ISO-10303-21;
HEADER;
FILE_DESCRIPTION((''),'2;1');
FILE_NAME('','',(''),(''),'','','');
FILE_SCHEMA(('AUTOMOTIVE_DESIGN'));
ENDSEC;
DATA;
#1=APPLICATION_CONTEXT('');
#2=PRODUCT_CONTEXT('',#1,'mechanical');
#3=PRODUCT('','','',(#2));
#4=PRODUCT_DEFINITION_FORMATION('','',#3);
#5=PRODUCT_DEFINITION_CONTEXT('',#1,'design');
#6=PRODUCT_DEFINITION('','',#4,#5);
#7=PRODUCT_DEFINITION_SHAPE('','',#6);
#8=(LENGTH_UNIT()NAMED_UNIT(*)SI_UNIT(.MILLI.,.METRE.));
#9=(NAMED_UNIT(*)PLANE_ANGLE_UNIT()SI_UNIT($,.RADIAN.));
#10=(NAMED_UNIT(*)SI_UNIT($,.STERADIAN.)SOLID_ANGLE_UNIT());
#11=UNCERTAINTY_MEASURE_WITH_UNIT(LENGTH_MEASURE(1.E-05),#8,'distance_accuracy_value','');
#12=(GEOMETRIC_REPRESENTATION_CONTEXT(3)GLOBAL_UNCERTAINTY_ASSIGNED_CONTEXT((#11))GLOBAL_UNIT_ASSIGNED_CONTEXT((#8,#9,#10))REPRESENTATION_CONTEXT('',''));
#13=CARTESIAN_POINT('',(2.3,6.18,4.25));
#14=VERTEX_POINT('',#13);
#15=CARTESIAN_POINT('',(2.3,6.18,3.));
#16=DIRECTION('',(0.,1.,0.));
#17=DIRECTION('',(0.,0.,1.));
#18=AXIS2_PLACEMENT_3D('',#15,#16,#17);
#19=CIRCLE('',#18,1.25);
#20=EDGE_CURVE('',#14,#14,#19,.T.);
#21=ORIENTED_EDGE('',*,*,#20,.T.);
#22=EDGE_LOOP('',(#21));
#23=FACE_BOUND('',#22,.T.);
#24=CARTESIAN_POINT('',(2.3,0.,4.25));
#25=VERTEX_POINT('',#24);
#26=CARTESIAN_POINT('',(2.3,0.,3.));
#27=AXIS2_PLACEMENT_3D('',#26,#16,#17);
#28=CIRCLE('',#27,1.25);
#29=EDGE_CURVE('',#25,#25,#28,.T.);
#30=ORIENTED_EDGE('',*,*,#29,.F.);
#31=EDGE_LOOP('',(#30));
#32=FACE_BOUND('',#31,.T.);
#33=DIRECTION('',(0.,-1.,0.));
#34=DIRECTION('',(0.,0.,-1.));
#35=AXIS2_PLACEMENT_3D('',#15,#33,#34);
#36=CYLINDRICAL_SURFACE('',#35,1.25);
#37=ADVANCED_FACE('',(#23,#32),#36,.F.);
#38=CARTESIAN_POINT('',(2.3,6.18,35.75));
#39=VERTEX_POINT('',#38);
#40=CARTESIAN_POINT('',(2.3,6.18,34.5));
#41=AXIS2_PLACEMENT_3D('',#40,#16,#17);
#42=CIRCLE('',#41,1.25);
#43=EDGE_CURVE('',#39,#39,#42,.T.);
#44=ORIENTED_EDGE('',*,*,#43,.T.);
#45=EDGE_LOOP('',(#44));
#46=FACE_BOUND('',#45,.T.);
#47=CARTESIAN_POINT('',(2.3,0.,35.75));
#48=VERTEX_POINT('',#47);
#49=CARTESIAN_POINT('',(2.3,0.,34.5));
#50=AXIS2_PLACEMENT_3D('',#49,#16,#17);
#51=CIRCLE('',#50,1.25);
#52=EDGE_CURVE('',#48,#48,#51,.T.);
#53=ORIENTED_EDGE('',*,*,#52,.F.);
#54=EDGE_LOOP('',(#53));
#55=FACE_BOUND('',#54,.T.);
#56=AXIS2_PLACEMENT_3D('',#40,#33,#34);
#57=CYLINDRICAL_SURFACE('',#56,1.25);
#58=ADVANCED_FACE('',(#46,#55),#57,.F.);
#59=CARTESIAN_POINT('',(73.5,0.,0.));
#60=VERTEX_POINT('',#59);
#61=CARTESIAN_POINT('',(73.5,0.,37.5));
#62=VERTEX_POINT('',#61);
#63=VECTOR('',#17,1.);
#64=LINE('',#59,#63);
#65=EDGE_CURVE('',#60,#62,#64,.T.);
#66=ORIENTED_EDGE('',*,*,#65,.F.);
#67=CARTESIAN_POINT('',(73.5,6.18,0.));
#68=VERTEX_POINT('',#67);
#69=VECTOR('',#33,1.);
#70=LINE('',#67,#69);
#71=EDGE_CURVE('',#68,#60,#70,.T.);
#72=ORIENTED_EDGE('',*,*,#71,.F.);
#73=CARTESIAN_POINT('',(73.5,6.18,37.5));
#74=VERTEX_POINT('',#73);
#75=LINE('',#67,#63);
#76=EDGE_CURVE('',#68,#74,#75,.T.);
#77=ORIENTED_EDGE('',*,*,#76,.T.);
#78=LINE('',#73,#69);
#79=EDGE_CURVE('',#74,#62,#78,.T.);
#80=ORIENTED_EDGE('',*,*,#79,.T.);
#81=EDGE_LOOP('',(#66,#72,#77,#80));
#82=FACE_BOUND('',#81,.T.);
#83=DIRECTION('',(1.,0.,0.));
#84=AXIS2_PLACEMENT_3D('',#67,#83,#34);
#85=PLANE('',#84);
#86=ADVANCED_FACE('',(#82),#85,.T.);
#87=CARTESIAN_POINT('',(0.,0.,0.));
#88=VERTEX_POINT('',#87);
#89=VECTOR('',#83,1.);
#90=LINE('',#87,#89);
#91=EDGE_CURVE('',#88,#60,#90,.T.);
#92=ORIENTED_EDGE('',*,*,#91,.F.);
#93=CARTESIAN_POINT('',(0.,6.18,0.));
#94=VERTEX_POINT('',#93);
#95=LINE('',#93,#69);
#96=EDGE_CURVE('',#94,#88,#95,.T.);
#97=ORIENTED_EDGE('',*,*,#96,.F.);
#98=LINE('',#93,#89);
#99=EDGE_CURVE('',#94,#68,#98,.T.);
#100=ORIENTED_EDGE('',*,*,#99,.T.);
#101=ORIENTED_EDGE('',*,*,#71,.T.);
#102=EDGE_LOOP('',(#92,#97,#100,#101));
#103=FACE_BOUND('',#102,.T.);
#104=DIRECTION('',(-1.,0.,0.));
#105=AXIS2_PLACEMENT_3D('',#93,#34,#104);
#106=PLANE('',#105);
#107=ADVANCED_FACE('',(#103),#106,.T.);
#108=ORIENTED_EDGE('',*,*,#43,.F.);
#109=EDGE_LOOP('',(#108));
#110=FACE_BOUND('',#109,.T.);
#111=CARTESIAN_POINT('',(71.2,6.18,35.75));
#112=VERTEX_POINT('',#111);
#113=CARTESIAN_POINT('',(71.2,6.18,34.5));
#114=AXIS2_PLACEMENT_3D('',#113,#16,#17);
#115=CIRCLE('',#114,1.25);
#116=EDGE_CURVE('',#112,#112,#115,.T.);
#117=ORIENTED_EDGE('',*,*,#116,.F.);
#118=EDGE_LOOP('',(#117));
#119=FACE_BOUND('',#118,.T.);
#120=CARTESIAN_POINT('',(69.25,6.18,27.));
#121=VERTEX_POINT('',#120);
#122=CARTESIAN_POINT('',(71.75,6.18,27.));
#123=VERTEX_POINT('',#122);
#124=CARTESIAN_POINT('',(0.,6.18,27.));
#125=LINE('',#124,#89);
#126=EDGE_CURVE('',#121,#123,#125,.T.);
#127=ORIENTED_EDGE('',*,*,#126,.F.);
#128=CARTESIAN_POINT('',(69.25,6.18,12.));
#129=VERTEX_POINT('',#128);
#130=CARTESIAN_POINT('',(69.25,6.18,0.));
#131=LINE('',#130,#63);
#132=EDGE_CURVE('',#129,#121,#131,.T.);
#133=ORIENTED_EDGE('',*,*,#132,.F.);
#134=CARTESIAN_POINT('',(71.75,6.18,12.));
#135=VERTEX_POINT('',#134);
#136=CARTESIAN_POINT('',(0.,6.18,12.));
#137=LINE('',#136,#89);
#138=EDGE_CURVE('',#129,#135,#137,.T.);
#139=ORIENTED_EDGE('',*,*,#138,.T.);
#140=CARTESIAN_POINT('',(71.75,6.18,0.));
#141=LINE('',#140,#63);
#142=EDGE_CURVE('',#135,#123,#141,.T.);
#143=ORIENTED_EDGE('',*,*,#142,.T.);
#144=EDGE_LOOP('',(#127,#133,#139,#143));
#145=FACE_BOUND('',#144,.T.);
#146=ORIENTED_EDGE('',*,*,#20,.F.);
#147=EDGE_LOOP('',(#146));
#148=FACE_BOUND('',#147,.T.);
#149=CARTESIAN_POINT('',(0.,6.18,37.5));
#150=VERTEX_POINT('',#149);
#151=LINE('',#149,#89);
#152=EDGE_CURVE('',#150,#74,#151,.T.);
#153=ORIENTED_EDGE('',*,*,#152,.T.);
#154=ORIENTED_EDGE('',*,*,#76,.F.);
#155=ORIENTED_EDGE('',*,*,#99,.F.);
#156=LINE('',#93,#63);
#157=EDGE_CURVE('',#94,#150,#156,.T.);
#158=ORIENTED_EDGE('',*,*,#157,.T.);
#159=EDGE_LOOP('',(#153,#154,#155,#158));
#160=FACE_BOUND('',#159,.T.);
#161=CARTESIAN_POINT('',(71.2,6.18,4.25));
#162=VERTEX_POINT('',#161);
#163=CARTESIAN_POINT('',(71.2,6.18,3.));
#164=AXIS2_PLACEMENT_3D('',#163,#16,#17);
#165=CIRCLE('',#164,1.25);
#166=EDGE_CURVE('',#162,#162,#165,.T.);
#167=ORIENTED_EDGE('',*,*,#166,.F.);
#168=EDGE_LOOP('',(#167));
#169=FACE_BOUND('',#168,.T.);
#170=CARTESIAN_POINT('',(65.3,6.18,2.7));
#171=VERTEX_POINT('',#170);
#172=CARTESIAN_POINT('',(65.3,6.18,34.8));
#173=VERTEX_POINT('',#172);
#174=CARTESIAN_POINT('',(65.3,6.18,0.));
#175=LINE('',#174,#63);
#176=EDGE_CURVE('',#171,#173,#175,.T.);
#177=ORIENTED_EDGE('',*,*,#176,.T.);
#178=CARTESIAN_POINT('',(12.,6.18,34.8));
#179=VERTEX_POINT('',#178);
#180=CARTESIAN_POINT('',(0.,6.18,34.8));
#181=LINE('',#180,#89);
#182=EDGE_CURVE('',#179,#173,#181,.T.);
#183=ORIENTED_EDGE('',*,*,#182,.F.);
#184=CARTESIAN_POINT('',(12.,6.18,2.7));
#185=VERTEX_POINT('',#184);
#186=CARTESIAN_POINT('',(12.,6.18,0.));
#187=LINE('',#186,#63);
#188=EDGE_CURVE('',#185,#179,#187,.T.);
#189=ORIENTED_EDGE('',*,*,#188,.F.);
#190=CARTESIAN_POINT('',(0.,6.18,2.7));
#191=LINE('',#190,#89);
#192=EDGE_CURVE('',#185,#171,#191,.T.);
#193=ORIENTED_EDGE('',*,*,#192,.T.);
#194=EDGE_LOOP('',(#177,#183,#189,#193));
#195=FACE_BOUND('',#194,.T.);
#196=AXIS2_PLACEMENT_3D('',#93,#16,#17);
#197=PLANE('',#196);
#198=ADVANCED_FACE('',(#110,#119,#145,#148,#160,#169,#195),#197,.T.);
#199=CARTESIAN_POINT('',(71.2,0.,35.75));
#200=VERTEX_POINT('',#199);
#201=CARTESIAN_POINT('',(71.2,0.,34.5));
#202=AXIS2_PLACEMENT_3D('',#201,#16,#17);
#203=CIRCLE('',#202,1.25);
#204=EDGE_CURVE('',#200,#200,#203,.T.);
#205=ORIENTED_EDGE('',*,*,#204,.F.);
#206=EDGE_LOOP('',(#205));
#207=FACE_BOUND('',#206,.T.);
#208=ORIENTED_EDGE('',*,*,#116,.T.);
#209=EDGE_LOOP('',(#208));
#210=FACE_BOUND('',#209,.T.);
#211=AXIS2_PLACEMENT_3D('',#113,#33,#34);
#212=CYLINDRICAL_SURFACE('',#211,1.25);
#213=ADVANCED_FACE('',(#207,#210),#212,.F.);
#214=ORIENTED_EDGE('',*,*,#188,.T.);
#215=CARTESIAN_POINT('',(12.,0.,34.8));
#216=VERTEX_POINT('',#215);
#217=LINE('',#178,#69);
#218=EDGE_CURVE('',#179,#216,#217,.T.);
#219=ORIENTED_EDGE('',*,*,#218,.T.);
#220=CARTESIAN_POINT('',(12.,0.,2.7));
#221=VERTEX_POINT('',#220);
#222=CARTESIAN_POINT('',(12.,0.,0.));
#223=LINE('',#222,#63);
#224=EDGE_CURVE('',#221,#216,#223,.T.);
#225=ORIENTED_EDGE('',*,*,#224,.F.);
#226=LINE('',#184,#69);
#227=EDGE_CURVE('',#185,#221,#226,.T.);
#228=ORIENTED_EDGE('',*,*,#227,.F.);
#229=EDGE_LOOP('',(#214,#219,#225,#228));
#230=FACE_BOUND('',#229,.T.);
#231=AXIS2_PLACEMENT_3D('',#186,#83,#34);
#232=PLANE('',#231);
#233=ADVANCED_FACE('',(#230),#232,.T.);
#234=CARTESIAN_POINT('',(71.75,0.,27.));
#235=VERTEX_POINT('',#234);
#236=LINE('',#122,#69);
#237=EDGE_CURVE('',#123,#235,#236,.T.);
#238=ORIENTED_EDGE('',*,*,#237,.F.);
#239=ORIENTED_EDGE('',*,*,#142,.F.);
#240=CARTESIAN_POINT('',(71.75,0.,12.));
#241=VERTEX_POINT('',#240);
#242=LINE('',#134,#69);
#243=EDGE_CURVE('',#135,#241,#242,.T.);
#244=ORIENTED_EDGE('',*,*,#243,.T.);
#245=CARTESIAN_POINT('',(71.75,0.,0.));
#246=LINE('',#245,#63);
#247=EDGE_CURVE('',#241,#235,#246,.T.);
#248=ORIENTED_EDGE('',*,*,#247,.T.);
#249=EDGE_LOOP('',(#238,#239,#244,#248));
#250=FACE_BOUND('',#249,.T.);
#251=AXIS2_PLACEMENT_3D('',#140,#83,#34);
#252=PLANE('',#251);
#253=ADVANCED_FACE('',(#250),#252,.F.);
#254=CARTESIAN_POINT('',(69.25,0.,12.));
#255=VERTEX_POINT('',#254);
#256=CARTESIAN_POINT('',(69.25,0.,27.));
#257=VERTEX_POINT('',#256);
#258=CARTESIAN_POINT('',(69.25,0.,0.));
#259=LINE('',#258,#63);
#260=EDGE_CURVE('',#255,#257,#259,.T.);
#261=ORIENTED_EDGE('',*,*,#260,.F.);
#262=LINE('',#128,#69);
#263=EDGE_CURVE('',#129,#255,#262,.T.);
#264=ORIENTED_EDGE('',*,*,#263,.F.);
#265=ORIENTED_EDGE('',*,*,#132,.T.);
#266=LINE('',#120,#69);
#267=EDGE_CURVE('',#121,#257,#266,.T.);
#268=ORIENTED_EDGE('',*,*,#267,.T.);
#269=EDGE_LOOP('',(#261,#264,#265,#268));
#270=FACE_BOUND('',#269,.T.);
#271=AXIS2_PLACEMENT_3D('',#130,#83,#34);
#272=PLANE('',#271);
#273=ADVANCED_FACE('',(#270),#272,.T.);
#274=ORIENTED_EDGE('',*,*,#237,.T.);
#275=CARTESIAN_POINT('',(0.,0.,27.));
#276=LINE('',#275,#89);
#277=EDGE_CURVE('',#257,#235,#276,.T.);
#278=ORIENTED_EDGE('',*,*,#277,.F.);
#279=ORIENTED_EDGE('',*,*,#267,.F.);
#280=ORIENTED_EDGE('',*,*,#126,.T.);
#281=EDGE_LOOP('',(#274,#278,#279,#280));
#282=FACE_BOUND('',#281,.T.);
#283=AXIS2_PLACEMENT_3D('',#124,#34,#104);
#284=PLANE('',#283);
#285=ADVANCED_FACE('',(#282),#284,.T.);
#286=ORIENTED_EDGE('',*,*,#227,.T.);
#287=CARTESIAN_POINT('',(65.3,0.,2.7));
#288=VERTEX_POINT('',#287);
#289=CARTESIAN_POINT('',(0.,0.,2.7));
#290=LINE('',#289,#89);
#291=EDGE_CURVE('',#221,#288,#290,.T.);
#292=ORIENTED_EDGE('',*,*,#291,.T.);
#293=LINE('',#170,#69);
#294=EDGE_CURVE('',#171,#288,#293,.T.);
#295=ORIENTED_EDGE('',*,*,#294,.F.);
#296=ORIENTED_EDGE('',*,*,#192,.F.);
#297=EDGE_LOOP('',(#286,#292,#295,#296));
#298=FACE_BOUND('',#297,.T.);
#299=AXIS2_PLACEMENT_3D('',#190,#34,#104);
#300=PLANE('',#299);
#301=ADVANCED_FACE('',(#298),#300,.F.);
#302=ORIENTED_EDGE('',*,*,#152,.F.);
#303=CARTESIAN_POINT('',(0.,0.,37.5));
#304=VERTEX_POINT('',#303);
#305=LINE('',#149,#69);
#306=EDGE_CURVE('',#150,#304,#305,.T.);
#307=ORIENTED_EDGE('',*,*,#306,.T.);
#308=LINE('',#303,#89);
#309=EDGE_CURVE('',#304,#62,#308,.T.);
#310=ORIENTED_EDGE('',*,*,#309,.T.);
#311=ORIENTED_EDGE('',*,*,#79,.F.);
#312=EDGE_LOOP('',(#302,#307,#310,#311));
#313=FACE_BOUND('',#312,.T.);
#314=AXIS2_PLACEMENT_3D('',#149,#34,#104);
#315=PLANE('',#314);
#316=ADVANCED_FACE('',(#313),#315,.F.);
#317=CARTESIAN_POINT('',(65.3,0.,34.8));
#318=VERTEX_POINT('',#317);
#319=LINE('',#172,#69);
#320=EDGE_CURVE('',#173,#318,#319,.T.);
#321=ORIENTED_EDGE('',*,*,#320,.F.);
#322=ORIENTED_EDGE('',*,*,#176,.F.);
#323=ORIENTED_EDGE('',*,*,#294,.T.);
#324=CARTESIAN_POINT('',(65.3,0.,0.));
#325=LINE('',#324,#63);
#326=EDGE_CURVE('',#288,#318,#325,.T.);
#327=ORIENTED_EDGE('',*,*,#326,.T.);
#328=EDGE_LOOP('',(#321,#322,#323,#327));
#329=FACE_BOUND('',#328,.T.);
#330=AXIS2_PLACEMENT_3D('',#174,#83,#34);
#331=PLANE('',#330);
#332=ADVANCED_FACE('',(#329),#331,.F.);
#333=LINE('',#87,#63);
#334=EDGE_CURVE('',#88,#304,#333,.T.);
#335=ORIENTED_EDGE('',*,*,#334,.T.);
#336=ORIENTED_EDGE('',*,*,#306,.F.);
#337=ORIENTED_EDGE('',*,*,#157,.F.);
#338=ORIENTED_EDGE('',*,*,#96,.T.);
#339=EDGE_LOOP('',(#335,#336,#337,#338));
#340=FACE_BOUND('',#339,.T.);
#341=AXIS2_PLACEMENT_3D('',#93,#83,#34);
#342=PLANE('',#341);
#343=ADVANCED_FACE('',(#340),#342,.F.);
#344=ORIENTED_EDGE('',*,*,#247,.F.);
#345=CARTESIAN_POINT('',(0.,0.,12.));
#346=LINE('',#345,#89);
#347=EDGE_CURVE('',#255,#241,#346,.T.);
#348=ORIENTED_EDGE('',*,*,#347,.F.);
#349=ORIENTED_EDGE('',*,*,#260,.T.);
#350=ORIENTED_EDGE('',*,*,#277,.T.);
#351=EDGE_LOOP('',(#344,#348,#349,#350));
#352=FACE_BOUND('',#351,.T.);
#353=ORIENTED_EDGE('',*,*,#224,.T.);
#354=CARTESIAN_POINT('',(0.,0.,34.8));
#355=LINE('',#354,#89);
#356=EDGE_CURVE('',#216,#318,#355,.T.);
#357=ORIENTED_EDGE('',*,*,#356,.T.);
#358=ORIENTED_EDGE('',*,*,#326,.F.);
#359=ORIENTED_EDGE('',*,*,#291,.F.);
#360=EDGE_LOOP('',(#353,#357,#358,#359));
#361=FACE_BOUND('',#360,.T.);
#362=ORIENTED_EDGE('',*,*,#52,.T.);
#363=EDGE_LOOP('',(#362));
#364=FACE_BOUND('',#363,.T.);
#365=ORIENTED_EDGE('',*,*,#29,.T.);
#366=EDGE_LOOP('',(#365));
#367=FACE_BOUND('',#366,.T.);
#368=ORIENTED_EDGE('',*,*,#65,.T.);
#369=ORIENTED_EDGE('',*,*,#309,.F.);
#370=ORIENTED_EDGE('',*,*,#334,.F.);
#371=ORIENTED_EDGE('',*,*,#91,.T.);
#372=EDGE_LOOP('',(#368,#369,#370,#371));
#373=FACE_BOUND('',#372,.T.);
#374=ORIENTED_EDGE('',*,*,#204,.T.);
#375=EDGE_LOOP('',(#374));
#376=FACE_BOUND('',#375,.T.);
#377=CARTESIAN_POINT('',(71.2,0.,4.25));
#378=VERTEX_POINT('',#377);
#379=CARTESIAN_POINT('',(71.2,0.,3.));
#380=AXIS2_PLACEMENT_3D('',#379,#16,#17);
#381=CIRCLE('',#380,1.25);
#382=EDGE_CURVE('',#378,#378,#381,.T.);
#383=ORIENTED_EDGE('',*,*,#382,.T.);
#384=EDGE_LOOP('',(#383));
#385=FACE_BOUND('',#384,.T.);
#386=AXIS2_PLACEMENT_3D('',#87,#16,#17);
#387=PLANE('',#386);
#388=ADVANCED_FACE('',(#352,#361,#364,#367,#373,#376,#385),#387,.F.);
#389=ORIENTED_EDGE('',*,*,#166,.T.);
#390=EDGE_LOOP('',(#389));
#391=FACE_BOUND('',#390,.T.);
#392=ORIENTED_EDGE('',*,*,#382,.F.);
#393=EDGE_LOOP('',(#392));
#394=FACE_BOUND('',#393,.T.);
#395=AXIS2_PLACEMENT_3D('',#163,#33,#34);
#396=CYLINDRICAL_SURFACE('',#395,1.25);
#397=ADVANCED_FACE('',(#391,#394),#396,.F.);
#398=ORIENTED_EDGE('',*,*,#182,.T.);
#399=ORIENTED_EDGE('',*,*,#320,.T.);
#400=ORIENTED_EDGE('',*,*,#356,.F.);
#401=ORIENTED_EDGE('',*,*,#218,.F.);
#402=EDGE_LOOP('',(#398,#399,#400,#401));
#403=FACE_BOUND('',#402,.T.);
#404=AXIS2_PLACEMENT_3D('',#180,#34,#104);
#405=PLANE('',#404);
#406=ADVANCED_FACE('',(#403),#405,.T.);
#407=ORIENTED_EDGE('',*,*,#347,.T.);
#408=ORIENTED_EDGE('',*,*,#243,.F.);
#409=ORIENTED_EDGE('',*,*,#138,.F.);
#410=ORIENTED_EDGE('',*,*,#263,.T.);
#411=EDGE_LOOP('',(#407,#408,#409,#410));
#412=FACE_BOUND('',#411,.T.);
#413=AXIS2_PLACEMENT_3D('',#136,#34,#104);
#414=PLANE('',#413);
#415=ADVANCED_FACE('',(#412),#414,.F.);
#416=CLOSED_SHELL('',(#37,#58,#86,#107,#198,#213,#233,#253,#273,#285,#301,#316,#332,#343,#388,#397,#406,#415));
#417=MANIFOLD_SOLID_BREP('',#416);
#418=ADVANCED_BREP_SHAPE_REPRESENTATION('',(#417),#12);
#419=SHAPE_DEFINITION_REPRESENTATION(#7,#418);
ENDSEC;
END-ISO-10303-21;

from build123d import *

# Parameters (mm, degrees)
SKETCH1_W           = 73.5
SKETCH1_H           = 37.5
SKETCH1_R           = 1.25
SKETCH1_W_2         = 53.3
SKETCH1_H_2         = 32.1
SKETCH1_W_3         = 2.5
SKETCH1_H_3         = 15
BOSS_EXTRUDE1_DEPTH = 6.18


with BuildPart() as part:
    # Sketch1 → Boss-Extrude1 (new body)
    with BuildSketch(Plane(origin=(0, 0, 0), x_dir=(1, 0, 0), z_dir=(0, 1, 0))):
        with Locations((36.75, -18.75)):
            Rectangle(SKETCH1_W, SKETCH1_H)
        with Locations(Location((2.3, -34.5, 0), (0, 0, 270))):
            Circle(SKETCH1_R, mode=Mode.SUBTRACT)
        with Locations(Location((2.3, -3, 0), (0, 0, 270))):
            Circle(SKETCH1_R, mode=Mode.SUBTRACT)
        with Locations((38.65, -18.75)):
            Rectangle(SKETCH1_W_2, SKETCH1_H_2, mode=Mode.SUBTRACT)
        with Locations(Location((71.2, -3, 0), (0, 0, 270))):
            Circle(SKETCH1_R, mode=Mode.SUBTRACT)
        with Locations(Location((71.2, -34.5, 0), (0, 0, 270))):
            Circle(SKETCH1_R, mode=Mode.SUBTRACT)
        with Locations((70.5, -19.5)):
            Rectangle(SKETCH1_W_3, SKETCH1_H_3, mode=Mode.SUBTRACT)
    extrude(amount=BOSS_EXTRUDE1_DEPTH)


solid = part.part
